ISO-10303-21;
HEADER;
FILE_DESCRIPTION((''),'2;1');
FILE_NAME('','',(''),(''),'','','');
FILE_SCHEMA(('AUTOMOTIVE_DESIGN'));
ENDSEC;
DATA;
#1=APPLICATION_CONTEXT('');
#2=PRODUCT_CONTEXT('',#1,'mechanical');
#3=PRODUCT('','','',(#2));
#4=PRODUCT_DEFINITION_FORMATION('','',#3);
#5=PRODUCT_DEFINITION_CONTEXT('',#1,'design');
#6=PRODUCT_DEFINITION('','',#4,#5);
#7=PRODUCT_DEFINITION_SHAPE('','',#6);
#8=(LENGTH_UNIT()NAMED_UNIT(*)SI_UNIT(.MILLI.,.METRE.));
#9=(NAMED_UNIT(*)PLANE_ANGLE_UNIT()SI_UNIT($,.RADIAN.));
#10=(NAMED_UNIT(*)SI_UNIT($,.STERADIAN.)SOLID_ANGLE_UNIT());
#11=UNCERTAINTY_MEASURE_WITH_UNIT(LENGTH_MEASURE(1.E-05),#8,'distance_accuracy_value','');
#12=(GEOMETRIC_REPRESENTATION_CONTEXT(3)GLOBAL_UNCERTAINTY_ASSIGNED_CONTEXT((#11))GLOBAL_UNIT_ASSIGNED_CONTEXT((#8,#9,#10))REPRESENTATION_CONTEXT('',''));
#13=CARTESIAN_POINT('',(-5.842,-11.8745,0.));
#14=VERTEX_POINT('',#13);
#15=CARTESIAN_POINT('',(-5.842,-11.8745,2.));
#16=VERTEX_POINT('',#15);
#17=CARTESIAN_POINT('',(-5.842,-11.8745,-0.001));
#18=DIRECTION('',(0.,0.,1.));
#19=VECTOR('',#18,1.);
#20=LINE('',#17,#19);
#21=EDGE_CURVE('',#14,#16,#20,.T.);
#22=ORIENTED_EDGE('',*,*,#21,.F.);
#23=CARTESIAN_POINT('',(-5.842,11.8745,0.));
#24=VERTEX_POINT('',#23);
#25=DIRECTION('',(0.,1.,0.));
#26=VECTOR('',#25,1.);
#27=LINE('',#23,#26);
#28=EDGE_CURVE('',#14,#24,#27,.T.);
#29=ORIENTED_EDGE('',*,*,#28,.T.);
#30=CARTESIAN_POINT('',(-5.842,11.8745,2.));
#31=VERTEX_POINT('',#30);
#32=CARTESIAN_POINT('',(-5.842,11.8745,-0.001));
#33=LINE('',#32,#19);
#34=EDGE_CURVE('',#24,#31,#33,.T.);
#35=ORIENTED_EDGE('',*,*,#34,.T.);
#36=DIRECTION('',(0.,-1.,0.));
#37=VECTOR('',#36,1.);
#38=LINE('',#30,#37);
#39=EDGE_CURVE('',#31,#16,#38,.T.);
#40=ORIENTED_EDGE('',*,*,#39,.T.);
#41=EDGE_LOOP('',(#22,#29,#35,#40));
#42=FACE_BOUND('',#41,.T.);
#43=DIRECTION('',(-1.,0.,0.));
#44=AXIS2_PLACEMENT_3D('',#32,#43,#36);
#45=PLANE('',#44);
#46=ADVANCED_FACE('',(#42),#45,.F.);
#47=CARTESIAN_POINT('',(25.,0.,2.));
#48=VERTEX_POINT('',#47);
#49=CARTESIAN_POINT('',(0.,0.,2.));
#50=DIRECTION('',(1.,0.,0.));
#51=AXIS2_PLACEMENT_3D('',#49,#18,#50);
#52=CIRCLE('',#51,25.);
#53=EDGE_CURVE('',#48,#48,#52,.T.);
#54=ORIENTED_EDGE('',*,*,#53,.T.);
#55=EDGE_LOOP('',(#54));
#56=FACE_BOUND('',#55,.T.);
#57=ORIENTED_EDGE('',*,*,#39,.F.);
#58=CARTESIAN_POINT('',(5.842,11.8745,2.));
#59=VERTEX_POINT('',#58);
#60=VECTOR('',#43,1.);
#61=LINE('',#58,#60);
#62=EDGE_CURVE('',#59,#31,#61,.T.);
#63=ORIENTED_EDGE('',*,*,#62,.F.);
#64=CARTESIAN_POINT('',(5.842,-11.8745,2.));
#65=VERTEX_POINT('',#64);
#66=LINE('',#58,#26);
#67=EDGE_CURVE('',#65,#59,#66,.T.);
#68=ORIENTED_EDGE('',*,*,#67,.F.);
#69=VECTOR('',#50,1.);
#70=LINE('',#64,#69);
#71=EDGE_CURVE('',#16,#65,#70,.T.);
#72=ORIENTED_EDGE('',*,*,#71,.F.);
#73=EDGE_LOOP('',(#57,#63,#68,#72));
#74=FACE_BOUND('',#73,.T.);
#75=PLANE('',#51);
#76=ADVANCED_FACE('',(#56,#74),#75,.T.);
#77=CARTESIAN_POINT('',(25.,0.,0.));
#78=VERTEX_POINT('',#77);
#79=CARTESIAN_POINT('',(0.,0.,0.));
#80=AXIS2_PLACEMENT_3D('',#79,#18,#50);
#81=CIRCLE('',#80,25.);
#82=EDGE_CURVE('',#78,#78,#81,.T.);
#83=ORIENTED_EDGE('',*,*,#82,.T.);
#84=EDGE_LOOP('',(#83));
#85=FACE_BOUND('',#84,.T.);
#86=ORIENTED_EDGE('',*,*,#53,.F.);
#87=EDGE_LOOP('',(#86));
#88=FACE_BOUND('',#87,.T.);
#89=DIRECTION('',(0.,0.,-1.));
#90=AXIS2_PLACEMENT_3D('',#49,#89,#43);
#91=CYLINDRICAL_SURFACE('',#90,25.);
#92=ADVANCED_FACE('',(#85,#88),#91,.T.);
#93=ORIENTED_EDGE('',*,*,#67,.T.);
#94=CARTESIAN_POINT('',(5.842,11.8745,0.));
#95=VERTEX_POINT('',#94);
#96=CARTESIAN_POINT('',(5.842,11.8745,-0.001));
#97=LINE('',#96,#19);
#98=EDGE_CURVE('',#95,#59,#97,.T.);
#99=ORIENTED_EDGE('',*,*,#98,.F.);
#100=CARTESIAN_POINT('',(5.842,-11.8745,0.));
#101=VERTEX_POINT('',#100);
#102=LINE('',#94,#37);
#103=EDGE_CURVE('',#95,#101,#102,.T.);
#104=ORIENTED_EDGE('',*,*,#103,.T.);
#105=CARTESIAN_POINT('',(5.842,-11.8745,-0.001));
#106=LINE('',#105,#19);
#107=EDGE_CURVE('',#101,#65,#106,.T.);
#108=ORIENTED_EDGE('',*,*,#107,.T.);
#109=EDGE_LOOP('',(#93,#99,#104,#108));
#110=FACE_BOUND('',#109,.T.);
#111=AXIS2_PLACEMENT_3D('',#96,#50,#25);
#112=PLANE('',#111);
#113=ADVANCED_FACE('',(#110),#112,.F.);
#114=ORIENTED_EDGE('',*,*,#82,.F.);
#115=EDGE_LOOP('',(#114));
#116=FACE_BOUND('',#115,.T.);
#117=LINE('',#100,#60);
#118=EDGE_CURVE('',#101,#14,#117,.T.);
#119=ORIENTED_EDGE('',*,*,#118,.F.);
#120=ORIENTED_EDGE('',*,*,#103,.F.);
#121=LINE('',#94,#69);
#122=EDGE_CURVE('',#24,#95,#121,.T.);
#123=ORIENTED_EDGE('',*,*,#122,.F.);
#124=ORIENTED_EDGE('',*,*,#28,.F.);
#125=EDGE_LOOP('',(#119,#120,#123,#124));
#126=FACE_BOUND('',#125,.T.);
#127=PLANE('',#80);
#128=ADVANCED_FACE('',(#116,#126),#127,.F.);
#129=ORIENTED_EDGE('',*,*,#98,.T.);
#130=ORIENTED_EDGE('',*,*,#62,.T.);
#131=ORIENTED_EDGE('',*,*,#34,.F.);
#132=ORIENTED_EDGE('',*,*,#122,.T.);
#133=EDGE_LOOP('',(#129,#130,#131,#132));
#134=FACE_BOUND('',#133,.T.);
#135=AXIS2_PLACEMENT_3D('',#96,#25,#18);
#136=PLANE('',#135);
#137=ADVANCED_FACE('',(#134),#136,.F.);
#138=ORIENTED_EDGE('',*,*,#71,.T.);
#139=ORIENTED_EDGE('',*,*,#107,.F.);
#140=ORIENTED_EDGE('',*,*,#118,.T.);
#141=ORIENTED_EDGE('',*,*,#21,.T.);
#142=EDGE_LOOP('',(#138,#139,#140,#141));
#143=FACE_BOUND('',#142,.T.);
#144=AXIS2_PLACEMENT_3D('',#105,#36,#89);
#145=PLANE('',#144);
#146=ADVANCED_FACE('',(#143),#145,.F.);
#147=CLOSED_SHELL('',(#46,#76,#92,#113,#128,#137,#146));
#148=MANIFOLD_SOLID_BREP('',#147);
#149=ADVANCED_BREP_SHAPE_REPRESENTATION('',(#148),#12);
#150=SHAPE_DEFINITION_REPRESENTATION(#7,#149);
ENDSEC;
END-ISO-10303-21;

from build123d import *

# Parameters (mm, degrees)
ESQUISSE1_R             = 25
BOSS_EXTRU_1_DEPTH      = 2
ENL_V_MAT_EXTRU_1_REACH = 37.412
ESQUISSE2_W             = 11.684
ESQUISSE2_H             = 23.749


with BuildPart() as part:
    # Esquisse1 → Boss.-Extru.1 (new body)
    with BuildSketch(Plane.XY):
        Circle(ESQUISSE1_R)
    extrude(amount=BOSS_EXTRU_1_DEPTH)

    # Esquisse2 → Enlèv. mat.-Extru.1 (cut, up to next)
    with BuildSketch(Plane.XY.offset(2), mode=Mode.PRIVATE) as enl_v_mat_extru_1_sk1:
        Rectangle(ESQUISSE2_W, ESQUISSE2_H)
    enl_v_mat_extru_1_tool1 = extrude(enl_v_mat_extru_1_sk1.sketch, amount=-ENL_V_MAT_EXTRU_1_REACH, mode=Mode.PRIVATE) & part.part
    add(enl_v_mat_extru_1_tool1.solids().sort_by_distance((0, 0, 2))[0], mode=Mode.SUBTRACT)


solid = part.part
